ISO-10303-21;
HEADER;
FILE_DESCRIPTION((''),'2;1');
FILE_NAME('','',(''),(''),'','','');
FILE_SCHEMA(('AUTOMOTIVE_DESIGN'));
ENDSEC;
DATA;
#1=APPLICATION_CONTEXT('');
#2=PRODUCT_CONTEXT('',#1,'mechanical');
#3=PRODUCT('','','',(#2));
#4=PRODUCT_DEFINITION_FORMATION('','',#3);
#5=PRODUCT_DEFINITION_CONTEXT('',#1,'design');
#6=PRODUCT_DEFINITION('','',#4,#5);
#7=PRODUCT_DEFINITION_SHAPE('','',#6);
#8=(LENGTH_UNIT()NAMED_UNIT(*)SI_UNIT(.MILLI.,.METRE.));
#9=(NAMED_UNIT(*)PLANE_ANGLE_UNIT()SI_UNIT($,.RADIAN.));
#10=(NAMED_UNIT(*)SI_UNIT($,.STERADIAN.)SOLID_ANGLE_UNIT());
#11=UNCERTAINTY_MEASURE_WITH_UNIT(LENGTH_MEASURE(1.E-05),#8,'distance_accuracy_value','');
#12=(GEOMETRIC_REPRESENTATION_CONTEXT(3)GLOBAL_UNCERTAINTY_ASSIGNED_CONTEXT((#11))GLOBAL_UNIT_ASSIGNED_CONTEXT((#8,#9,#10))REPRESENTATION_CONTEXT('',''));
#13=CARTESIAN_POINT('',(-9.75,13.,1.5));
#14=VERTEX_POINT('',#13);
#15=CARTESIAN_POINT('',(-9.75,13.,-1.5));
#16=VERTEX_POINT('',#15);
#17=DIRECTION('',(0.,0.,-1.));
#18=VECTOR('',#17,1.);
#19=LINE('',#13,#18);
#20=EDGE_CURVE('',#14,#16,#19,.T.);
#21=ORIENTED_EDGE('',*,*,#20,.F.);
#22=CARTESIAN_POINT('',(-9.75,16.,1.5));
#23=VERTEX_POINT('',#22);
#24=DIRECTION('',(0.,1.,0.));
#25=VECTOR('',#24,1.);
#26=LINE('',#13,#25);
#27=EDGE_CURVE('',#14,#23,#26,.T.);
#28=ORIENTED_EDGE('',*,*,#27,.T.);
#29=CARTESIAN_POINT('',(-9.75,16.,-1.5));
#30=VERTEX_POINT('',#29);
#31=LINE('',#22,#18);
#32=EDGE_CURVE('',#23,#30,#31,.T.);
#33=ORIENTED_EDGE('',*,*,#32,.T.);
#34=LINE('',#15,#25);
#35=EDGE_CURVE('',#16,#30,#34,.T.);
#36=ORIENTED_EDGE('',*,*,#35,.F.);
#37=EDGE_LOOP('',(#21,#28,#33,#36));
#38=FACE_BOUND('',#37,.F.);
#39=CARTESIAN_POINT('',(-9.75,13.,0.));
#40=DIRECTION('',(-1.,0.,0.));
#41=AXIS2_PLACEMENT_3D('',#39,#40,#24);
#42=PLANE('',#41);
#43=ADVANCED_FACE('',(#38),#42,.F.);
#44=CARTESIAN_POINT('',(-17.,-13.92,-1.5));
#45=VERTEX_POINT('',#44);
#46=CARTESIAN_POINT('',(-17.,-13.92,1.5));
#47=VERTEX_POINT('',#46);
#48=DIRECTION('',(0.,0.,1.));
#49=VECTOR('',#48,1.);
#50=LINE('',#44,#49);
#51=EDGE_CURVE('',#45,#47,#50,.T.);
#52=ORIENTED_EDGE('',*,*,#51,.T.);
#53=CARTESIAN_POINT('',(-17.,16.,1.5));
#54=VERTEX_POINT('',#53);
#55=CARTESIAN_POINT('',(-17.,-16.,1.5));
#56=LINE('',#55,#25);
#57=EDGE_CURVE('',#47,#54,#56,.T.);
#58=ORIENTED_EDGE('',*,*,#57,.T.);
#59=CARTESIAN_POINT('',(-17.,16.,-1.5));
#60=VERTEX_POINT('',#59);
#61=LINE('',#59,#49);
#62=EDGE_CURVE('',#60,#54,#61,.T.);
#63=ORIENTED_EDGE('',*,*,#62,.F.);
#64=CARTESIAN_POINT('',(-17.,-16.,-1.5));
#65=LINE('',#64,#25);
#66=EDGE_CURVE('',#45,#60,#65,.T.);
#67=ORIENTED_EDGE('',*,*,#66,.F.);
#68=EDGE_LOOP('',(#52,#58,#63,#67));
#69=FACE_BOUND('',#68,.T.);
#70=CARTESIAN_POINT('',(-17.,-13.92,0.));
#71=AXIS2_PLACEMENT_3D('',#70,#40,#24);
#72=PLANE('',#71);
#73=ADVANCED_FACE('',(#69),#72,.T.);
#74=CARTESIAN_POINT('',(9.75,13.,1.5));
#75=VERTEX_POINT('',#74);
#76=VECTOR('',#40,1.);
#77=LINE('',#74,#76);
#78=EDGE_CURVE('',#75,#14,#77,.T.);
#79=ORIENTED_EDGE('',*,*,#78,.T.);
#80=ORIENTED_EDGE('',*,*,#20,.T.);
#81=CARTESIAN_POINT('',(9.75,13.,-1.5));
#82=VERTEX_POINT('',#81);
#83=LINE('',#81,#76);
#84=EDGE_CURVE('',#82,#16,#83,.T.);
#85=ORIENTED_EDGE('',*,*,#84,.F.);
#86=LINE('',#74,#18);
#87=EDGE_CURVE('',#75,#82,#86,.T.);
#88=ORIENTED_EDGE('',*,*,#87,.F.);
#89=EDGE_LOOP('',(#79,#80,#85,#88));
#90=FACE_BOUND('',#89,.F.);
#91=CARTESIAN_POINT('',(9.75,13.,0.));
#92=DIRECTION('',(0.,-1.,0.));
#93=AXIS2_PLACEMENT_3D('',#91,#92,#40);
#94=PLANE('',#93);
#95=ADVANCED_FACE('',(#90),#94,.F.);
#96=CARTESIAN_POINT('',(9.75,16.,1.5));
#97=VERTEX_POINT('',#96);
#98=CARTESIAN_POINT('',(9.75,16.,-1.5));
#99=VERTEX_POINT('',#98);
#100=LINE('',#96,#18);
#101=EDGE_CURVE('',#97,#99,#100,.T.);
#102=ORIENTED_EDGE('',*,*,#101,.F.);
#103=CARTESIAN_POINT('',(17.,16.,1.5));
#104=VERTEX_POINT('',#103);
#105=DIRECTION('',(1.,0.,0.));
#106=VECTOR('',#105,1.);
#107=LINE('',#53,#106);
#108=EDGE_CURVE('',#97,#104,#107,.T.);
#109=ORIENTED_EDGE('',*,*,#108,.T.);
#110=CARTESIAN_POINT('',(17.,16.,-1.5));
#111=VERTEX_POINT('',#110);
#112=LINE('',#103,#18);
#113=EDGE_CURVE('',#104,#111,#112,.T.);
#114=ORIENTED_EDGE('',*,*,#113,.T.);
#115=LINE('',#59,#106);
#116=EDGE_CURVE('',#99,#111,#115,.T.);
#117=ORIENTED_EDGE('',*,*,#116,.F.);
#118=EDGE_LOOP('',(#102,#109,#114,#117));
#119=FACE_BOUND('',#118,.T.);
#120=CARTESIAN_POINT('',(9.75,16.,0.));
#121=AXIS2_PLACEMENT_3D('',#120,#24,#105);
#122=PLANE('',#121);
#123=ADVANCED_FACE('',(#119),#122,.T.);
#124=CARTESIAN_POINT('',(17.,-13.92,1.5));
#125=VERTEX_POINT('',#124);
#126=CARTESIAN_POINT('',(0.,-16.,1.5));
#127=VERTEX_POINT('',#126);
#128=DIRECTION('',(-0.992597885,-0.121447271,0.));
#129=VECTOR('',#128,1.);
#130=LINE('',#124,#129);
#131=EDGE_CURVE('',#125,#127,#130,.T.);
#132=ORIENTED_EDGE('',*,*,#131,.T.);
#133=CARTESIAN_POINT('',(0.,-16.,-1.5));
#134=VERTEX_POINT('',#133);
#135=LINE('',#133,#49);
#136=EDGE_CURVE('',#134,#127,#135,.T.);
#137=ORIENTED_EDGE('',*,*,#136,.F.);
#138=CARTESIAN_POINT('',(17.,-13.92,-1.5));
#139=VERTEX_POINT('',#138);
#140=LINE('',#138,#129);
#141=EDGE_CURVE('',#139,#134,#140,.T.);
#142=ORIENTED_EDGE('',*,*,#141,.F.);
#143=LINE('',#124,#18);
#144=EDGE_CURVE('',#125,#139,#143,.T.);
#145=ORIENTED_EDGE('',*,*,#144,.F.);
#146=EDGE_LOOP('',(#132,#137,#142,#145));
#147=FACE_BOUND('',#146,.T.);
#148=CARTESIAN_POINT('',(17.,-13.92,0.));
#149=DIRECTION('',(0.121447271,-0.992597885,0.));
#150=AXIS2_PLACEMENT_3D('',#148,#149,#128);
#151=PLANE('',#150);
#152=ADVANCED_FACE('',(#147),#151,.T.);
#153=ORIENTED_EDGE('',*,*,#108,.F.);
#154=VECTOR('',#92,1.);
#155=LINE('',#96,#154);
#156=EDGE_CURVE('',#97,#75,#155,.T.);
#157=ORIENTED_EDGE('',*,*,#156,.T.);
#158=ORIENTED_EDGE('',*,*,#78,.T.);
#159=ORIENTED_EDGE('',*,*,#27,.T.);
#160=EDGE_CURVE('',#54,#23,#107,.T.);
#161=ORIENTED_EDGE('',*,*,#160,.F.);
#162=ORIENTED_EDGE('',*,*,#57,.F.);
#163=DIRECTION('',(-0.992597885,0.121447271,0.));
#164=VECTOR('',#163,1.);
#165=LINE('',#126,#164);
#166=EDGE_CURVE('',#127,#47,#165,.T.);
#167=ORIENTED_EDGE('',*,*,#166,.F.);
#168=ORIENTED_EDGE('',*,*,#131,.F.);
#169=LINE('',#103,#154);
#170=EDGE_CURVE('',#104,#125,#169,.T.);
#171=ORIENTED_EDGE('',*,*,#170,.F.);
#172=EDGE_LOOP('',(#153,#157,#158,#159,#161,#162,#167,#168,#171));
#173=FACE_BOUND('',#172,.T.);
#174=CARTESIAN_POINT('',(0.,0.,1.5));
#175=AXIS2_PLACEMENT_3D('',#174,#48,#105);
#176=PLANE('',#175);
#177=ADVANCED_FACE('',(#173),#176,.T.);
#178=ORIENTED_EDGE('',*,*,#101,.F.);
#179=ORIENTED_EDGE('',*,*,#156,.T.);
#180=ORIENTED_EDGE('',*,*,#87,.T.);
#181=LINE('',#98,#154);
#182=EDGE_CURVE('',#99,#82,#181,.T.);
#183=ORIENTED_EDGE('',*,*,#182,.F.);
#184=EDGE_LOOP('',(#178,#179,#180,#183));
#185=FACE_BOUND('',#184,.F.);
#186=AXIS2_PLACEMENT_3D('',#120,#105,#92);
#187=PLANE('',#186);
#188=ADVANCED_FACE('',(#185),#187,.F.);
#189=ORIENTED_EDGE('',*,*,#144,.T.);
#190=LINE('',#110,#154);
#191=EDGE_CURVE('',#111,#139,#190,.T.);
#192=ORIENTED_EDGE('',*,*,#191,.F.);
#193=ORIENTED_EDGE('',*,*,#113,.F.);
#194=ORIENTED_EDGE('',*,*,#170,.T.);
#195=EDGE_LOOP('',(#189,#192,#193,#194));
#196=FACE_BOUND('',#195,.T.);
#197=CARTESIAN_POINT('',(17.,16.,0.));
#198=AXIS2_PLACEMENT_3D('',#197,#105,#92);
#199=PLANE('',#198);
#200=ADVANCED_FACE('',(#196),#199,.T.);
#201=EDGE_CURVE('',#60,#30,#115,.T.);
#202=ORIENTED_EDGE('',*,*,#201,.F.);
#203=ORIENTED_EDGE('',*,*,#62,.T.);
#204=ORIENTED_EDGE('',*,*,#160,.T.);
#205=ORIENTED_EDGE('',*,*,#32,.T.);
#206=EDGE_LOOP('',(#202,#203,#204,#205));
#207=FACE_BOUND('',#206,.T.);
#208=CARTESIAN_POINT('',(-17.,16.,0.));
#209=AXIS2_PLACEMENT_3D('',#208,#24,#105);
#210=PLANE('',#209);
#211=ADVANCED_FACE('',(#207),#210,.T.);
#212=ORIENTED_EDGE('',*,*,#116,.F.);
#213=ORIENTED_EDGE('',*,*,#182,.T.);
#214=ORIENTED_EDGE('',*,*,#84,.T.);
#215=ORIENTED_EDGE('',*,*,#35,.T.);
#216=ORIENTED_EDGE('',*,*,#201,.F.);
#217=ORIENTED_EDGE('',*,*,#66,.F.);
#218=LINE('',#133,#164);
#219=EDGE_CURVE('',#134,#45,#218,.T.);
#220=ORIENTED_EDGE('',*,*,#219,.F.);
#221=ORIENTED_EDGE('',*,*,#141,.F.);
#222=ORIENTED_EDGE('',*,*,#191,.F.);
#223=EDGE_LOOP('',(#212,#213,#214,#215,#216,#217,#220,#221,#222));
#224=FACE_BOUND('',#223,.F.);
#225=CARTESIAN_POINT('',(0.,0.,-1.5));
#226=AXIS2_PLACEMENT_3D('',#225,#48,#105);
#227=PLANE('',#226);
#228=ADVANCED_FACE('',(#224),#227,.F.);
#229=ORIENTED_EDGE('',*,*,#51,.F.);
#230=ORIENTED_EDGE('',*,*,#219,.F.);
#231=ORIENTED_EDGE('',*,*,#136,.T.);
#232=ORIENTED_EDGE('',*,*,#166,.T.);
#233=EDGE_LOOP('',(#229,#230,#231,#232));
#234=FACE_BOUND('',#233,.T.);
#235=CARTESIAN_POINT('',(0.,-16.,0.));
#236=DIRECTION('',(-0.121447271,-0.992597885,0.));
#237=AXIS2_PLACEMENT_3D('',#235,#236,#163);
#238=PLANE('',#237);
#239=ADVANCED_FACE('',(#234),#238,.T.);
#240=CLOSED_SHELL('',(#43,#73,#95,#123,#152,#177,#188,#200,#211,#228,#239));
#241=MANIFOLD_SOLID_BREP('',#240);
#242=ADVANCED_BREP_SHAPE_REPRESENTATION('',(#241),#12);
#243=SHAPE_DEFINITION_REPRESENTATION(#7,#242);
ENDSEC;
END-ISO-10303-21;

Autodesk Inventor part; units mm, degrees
ref_plane "YZ Plane" through (0, 0, 0) normal (1, 0, 0) x (0, 1, 0)
ref_plane "XZ Plane" through (0, 0, 0) normal (0, 1, 0) x (-1, 0, 0)
ref_plane "XY Plane" through (0, 0, 0) normal (0, 0, 1) x (1, 0, 0)
sketch "Sketch1" plane through (0, 0, 0) normal (0, 0, 1) x (1, 0, 0)
  line L0 (-17, 16) -> (17, 16)
  line L1 (17, 16) -> (17, -16)
  line L2 (17, -16) -> (-17, -16)
  line L3 (-17, -16) -> (-17, 16)
  line L4 (-9.75, 16) -> (9.75, 16)
  line L5 (9.75, 16) -> (9.75, 13)
  line L6 (9.75, 13) -> (-9.75, 13)
  line L7 (-9.75, 13) -> (-9.75, 16)
  line L8 (0, -16) -> (0, -13.92)
  line L9 (17, -13.92) -> (0, -16)
  line L10 (0, -16) -> (-17, -13.92)
  point P0 (0, 0)
  point P1 (17, 0)
  point P2 (0, 16)
  point P3 (9.75, 16)
  dimension "d0" = 34
  dimension "d1" = 32
  dimension "d3" = 2.08
  dimension "d6" = 19.5
  dimension "d7" = 3
extrude "Extrusion1" add sketch "Sketch1" along normal mid plane 3 contours L0 L7 L6 L5 L1 L9 L10 L3
properties part number "A"
